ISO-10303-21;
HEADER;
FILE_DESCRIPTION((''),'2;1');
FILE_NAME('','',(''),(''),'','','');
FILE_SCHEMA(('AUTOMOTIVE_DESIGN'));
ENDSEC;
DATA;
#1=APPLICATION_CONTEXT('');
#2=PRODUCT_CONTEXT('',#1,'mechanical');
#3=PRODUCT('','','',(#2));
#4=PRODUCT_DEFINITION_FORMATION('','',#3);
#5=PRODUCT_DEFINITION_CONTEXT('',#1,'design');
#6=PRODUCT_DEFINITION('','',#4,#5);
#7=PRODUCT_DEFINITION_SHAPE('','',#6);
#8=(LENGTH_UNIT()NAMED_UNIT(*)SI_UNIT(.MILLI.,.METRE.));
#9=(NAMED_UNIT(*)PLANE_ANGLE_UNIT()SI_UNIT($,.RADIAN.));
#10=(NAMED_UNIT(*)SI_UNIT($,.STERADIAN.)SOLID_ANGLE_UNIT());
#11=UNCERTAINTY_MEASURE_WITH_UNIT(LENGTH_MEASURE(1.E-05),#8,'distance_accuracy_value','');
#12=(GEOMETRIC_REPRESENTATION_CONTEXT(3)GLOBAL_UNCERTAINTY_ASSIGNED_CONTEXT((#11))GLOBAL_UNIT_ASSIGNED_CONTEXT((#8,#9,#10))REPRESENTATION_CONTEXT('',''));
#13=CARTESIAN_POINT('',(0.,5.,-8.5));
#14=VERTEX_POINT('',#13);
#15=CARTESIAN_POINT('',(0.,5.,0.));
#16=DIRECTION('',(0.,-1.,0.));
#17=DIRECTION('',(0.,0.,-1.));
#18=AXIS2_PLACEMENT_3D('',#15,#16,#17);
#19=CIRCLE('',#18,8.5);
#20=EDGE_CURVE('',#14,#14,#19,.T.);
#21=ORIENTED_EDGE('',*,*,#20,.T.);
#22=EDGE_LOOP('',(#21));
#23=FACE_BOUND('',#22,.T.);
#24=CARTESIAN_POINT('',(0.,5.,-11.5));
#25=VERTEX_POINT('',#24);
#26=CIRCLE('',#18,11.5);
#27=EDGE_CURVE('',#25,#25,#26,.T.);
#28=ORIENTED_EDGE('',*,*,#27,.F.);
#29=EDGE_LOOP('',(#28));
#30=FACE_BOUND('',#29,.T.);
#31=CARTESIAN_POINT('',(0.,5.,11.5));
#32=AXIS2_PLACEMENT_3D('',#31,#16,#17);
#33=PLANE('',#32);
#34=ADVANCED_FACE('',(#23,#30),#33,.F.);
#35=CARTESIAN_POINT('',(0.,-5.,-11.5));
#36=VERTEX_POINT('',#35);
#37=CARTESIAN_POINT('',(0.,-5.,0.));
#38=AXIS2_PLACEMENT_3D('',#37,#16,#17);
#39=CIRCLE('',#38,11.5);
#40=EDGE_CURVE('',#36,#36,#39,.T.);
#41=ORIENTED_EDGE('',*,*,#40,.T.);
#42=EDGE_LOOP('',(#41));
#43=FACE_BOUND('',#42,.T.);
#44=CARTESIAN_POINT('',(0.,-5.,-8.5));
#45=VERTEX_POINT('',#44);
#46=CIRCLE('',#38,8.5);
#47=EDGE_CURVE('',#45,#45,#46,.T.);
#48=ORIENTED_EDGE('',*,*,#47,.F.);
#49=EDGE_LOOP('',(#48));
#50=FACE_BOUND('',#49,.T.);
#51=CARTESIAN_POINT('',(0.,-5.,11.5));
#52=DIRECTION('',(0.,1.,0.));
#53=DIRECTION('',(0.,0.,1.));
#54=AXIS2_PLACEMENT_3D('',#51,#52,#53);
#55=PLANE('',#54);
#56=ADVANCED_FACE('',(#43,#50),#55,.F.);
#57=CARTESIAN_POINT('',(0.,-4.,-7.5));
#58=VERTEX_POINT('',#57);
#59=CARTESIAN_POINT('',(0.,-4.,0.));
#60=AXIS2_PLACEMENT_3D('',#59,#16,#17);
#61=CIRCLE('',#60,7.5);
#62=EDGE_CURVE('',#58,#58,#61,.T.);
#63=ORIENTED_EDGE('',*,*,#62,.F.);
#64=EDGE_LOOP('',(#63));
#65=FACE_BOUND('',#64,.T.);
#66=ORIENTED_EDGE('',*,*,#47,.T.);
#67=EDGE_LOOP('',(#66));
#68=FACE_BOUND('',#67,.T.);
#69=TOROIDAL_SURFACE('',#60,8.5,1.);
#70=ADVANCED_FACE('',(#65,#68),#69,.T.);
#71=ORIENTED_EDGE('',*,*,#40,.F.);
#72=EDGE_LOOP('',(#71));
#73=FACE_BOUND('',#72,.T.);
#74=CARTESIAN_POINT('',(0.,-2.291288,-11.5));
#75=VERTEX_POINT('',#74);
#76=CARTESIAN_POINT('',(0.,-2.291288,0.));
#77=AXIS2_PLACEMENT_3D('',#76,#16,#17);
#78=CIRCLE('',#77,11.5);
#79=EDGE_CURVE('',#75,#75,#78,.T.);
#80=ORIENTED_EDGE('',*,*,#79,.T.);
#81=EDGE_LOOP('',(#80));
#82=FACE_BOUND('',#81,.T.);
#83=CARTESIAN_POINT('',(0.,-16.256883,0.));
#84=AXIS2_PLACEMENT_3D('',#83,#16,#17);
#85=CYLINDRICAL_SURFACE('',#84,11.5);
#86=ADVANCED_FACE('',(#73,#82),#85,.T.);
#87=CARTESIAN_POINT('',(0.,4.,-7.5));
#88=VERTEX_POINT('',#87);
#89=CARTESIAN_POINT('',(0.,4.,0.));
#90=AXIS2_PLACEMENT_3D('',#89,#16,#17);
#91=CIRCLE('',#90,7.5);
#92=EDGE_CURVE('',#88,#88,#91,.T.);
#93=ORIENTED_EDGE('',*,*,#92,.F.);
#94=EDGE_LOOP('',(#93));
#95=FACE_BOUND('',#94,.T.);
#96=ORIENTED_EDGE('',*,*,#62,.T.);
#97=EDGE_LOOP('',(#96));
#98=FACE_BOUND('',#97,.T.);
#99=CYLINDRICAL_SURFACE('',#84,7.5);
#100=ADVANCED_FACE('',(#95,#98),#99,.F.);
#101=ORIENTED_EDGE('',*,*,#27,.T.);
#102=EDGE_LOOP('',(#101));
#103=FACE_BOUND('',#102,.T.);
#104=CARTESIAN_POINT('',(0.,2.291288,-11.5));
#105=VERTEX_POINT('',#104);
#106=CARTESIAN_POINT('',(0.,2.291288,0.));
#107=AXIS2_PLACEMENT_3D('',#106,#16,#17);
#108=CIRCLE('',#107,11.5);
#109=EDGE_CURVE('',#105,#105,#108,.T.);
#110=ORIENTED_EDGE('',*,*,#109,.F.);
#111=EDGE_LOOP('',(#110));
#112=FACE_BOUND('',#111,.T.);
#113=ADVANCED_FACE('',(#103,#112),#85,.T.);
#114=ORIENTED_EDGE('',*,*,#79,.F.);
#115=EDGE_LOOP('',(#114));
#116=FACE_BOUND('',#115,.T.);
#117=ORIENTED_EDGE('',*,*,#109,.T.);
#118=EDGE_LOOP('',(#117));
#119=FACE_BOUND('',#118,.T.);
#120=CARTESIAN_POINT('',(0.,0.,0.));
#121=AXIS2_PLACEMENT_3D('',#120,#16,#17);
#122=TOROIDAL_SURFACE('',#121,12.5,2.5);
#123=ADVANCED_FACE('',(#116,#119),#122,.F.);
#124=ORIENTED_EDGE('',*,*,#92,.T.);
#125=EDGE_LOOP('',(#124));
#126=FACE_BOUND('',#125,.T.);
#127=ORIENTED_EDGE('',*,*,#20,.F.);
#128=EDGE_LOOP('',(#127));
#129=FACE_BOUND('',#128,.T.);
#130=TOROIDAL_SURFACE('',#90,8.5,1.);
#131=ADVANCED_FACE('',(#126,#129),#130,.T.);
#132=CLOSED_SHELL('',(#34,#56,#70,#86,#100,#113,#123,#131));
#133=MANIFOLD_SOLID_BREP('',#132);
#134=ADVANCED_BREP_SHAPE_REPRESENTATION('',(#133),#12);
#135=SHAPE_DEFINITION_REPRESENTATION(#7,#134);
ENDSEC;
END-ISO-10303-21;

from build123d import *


with BuildPart() as part:
    # Sketch1 → Revolve1 (revolve)
    with BuildSketch(Plane.YZ, mode=Mode.PRIVATE) as revolve1_sk:
        with BuildLine():
            Line((-4, 7.5), (4, 7.5))
            ThreePointArc((4, 7.5), (4.707106781, 7.792893219), (5, 8.5))
            Line((5, 8.5), (5, 11.5))
            Line((5, 11.5), (2.291287847, 11.5))
            ThreePointArc((2.291287847, 11.5), (0, 10), (-2.291287847, 11.5))
            Line((-2.291287847, 11.5), (-5, 11.5))
            Line((-5, 11.5), (-5, 8.5))
            ThreePointArc((-5, 8.5), (-4.707106781, 7.792893219), (-4, 7.5))
        make_face()
    revolve(revolve1_sk.sketch.rotate(Axis((0, -16.256883036, 0), (0, 1, 0)), 180), axis=Axis((0, -16.256883036, 0), (0, 1, 0)))


solid = part.part
